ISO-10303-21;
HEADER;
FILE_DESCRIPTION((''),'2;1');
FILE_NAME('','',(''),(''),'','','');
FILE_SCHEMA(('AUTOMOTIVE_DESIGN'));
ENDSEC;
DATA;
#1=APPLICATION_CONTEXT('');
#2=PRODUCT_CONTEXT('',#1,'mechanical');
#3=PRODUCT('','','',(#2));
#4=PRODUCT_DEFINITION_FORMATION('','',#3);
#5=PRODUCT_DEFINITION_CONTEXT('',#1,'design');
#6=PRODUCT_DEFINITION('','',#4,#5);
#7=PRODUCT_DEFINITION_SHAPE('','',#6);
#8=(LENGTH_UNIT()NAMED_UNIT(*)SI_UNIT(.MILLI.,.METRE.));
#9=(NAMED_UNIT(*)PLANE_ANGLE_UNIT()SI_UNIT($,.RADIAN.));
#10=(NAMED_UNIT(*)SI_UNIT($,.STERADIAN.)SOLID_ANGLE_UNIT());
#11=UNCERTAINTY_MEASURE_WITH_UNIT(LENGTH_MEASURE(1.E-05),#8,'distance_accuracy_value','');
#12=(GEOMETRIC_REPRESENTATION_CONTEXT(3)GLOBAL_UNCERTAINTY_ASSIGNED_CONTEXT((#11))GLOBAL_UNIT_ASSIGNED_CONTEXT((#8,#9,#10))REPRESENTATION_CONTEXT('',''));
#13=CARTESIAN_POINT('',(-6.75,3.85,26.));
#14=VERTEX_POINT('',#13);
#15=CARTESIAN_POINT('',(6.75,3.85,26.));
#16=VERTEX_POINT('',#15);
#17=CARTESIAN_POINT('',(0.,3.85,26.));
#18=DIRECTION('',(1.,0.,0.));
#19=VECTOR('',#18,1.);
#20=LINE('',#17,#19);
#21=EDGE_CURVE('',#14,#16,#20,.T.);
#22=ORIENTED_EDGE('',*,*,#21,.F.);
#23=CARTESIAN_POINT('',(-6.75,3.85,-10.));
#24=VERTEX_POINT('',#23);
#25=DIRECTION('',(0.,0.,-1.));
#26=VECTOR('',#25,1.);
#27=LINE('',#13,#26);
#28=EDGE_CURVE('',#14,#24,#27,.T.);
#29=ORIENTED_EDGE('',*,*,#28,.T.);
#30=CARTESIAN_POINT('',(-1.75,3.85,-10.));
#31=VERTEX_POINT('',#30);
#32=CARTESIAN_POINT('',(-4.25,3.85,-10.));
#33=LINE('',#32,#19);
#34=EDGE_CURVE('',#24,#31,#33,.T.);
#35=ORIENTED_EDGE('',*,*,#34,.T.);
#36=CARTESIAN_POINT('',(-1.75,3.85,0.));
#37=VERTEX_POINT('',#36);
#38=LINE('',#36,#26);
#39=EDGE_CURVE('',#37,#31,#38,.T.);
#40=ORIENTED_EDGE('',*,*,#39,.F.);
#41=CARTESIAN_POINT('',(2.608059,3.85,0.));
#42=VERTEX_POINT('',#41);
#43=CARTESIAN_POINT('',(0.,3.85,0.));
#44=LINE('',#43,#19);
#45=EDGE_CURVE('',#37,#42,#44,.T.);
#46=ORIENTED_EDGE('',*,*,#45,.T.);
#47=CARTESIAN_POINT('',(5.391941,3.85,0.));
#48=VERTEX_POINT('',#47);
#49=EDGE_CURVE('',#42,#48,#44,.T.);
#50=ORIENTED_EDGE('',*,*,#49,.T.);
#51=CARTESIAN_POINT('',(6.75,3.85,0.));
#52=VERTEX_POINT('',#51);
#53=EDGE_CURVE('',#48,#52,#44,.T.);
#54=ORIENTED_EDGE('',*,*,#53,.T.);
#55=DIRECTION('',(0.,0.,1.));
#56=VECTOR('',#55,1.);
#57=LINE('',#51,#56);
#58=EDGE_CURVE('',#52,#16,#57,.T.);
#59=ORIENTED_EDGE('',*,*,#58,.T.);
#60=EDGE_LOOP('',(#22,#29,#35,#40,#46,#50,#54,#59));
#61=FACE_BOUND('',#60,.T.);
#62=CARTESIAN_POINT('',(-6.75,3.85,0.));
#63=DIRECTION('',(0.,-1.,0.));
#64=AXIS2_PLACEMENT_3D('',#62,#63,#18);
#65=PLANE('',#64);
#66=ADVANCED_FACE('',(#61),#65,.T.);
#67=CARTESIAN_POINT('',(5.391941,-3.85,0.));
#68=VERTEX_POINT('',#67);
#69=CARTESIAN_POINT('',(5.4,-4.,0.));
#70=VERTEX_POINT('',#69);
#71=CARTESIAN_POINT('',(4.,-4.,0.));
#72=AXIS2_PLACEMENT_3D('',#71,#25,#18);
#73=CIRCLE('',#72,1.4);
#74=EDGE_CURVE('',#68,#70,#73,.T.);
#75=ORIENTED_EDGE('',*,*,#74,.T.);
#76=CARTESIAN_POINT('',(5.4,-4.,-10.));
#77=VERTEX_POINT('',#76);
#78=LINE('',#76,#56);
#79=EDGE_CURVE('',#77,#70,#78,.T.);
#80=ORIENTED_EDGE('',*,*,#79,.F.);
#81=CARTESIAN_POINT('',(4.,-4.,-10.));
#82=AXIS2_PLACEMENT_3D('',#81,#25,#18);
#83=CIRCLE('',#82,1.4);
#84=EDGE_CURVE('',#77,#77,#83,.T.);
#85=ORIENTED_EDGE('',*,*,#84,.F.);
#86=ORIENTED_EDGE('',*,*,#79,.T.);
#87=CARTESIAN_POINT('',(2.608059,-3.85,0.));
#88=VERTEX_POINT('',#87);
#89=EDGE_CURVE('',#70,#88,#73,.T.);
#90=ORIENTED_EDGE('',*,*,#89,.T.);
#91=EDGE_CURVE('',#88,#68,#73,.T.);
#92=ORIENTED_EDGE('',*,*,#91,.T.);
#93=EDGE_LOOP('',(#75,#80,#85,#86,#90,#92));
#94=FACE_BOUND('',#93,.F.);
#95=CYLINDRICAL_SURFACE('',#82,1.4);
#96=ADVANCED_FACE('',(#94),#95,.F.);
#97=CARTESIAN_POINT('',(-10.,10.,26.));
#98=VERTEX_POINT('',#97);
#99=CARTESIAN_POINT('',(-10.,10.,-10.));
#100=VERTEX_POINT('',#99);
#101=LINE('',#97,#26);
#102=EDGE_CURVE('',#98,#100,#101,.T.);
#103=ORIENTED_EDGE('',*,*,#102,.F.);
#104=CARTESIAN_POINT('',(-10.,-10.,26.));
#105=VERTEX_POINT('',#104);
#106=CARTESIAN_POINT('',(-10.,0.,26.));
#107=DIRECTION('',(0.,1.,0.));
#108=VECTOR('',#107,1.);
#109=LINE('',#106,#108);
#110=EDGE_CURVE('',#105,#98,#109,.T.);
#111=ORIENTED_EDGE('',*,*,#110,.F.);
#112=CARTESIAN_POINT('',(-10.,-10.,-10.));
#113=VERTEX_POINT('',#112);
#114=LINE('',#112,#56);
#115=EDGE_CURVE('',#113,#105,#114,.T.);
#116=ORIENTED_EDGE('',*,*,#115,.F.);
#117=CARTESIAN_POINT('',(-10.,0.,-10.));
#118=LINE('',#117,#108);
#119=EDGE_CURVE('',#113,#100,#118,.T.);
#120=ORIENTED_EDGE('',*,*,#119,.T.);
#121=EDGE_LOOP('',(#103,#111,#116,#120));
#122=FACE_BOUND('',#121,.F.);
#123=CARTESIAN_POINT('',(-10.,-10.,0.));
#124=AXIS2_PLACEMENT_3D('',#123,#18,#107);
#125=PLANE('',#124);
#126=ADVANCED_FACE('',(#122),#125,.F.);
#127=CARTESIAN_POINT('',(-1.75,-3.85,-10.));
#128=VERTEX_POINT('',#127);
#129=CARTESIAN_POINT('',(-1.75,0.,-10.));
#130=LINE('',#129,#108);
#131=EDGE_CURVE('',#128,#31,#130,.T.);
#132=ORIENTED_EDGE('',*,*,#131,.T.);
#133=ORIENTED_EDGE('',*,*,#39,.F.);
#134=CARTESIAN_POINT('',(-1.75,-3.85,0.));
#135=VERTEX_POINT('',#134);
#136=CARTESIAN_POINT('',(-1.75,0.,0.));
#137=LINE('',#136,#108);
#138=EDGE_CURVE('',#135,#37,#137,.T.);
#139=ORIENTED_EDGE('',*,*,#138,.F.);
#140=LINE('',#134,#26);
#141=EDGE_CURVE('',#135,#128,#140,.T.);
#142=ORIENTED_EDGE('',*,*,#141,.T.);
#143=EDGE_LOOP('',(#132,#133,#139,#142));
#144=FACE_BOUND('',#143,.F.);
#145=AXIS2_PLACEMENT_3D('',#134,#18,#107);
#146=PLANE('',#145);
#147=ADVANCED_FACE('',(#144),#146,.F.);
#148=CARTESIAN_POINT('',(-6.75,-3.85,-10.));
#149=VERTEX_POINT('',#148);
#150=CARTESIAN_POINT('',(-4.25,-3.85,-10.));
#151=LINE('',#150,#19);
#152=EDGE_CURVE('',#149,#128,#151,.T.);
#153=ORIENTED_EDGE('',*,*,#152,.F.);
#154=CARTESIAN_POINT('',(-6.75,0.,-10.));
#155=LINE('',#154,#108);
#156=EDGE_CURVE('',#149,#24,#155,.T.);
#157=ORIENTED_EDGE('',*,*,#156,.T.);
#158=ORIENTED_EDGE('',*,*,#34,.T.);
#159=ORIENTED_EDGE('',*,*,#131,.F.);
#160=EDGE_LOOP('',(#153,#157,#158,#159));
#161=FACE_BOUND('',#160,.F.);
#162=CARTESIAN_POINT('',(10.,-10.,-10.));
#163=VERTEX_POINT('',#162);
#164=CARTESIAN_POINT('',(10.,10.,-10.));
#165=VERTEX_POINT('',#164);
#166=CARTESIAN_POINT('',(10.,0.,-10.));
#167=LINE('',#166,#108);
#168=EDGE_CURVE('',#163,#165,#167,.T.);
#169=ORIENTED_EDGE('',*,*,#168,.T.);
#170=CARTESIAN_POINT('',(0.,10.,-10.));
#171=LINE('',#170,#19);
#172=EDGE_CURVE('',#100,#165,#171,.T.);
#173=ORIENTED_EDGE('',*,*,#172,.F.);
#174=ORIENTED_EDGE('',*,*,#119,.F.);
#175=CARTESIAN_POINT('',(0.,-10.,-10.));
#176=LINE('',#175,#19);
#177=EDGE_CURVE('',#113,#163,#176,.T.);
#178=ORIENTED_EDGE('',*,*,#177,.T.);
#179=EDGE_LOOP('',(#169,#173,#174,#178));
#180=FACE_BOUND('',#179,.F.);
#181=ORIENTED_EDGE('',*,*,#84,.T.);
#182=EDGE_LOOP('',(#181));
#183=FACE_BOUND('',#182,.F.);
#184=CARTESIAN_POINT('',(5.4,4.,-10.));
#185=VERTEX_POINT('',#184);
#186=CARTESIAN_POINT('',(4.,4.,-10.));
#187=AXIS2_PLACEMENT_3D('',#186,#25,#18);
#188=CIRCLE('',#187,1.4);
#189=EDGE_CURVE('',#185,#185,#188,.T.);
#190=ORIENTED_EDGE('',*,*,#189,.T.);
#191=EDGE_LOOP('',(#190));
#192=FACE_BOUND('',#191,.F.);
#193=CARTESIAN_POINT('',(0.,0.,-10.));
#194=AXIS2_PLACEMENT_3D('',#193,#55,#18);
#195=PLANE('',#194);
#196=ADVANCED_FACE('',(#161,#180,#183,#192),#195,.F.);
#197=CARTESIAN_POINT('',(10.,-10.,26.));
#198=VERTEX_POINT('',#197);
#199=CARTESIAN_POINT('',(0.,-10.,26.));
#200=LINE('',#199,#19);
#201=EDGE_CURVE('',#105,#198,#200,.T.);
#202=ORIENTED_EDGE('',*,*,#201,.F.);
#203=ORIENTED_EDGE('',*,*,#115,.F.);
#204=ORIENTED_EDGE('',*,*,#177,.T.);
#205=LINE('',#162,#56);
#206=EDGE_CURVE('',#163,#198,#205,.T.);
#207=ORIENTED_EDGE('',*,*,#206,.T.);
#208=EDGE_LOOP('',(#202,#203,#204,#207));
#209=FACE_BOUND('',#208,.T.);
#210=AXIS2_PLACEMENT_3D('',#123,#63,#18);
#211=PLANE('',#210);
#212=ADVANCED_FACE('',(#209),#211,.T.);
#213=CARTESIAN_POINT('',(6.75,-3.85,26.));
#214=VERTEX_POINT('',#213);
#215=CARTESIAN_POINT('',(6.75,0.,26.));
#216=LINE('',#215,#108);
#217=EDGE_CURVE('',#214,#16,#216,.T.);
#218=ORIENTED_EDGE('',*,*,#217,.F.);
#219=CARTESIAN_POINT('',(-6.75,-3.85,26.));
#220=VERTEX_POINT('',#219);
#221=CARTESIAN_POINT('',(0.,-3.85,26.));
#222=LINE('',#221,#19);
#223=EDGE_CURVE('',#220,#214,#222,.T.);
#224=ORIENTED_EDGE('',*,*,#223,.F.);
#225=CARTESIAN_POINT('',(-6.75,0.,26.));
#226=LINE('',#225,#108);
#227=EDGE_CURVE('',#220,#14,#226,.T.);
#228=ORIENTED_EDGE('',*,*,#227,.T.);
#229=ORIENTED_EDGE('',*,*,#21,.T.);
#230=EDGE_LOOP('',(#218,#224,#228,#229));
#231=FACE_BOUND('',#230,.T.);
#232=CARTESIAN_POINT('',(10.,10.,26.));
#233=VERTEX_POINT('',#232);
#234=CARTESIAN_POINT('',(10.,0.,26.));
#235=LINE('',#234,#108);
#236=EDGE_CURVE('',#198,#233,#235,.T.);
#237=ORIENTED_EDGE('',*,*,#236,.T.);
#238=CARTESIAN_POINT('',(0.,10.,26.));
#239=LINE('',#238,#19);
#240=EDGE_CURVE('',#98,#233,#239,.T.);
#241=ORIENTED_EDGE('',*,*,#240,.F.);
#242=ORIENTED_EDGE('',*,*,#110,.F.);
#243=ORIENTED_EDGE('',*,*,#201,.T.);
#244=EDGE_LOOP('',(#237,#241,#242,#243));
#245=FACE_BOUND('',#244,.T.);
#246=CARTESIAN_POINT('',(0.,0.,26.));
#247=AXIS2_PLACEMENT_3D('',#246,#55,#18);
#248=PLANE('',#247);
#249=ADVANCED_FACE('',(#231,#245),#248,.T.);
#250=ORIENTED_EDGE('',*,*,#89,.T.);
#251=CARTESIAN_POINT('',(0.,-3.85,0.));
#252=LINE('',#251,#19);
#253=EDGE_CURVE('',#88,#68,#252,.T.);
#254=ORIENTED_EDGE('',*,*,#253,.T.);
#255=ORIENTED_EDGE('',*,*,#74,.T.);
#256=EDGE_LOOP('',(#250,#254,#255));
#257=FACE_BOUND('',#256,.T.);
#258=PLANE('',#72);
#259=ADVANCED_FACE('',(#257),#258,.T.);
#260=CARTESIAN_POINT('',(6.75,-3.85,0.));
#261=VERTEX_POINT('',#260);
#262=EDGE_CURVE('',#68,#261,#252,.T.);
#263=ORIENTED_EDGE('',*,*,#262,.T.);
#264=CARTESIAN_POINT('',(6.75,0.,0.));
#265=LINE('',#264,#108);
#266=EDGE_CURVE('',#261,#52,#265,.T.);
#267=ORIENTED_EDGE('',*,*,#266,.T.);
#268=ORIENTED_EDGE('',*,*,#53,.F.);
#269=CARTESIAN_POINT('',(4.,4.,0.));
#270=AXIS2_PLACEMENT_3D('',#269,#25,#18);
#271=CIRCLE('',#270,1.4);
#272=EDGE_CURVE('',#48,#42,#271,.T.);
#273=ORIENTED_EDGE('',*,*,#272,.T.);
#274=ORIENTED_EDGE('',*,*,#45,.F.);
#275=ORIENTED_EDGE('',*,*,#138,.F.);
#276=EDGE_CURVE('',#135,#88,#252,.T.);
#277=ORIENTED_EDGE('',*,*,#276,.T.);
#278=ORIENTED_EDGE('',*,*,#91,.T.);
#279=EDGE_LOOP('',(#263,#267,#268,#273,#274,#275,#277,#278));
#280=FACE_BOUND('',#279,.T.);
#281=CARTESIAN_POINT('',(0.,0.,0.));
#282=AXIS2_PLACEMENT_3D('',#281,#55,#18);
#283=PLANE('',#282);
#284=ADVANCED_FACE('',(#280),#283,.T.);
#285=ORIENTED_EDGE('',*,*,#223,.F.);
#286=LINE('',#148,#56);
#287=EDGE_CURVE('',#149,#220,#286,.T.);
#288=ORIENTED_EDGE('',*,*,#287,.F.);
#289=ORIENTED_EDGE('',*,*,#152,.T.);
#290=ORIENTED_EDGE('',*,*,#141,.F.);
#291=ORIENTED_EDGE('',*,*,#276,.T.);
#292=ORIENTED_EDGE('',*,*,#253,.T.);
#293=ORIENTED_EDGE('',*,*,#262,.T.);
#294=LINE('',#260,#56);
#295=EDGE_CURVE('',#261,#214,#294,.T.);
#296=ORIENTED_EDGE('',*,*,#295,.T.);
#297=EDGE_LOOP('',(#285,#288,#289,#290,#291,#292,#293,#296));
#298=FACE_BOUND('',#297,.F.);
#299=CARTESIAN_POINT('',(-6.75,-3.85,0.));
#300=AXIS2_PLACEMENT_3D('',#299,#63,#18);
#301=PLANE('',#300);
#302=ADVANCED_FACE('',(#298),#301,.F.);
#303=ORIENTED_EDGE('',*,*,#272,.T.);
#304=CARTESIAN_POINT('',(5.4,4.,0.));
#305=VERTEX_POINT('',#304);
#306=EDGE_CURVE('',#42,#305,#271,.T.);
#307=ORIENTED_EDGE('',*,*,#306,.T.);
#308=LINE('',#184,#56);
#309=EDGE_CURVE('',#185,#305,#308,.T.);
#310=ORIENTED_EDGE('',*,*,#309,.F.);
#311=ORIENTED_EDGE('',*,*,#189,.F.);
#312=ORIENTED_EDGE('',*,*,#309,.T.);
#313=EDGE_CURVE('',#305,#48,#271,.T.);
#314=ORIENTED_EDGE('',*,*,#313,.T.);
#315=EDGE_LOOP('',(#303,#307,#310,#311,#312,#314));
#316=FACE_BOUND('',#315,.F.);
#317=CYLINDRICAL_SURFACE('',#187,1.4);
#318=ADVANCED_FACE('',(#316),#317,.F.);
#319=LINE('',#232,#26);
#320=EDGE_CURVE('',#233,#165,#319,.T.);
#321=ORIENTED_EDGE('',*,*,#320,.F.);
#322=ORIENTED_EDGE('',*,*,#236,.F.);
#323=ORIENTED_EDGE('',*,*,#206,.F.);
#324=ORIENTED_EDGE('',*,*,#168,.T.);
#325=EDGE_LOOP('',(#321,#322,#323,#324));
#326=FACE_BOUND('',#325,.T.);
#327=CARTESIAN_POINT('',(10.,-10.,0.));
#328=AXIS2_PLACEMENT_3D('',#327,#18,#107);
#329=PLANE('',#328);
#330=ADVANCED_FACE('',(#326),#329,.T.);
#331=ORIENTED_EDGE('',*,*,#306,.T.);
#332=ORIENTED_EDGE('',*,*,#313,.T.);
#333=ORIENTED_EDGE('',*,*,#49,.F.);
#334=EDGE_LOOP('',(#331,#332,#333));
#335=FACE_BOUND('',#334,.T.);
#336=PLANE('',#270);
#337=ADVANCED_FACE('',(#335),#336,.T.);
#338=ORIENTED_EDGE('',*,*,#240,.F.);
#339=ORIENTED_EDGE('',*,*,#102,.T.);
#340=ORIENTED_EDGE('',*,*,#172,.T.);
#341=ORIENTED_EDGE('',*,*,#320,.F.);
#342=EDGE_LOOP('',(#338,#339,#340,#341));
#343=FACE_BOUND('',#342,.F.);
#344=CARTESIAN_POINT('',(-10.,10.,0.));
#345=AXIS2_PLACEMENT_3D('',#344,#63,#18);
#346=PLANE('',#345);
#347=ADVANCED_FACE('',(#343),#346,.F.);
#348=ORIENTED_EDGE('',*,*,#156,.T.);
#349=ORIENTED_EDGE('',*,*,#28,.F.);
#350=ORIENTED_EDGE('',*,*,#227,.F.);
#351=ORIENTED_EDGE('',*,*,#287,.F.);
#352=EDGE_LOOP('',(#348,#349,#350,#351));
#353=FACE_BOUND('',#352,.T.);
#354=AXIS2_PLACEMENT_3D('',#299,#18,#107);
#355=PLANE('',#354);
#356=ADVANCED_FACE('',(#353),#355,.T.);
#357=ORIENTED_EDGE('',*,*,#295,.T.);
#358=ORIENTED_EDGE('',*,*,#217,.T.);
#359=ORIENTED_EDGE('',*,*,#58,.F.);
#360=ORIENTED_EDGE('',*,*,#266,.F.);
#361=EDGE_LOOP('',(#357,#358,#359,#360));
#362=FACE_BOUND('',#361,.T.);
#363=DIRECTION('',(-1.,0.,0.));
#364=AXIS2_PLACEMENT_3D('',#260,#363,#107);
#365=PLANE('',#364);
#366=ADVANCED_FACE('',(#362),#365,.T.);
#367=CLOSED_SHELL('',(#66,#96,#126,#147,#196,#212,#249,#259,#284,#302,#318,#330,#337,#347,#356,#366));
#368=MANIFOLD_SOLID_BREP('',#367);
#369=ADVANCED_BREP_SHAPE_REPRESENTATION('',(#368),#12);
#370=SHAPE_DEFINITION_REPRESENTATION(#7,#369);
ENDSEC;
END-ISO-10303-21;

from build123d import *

# Parameters (mm, degrees)
F0_W     = 20
F0_H     = 20
F0_W_2   = 13.5
F0_H_2   = 7.7
F1_DEPTH = 26
F2_W     = 20
F2_H     = 20
F2_W_2   = 5
F2_H_2   = 7.7
F3_DEPTH = 10
F4_R     = 1.4
F5_DEPTH = 10


with BuildPart() as f1:
    # F0 (on Top) → F1 (new body)
    with BuildSketch(Plane.XY):
        Rectangle(F0_W, F0_H)
        Rectangle(F0_W_2, F0_H_2, mode=Mode.SUBTRACT)
    extrude(amount=F1_DEPTH)

    # F2 (on Top) → F3 (join)
    with BuildSketch(Plane.XY):
        Rectangle(F2_W, F2_H)
        with Locations((-4.25, 0)):
            Rectangle(F2_W_2, F2_H_2, mode=Mode.SUBTRACT)
    extrude(amount=-F3_DEPTH)

    # F4 (on face) → F5 (cut)
    with BuildSketch(Plane(origin=(0, 0, -10), x_dir=(1, 0, 0), z_dir=(0, 0, -1))):
        with Locations((4, 4)):
            Circle(F4_R)
        with Locations((4, -4)):
            Circle(F4_R)
    extrude(amount=-F5_DEPTH, mode=Mode.SUBTRACT)


solid = f1.part
